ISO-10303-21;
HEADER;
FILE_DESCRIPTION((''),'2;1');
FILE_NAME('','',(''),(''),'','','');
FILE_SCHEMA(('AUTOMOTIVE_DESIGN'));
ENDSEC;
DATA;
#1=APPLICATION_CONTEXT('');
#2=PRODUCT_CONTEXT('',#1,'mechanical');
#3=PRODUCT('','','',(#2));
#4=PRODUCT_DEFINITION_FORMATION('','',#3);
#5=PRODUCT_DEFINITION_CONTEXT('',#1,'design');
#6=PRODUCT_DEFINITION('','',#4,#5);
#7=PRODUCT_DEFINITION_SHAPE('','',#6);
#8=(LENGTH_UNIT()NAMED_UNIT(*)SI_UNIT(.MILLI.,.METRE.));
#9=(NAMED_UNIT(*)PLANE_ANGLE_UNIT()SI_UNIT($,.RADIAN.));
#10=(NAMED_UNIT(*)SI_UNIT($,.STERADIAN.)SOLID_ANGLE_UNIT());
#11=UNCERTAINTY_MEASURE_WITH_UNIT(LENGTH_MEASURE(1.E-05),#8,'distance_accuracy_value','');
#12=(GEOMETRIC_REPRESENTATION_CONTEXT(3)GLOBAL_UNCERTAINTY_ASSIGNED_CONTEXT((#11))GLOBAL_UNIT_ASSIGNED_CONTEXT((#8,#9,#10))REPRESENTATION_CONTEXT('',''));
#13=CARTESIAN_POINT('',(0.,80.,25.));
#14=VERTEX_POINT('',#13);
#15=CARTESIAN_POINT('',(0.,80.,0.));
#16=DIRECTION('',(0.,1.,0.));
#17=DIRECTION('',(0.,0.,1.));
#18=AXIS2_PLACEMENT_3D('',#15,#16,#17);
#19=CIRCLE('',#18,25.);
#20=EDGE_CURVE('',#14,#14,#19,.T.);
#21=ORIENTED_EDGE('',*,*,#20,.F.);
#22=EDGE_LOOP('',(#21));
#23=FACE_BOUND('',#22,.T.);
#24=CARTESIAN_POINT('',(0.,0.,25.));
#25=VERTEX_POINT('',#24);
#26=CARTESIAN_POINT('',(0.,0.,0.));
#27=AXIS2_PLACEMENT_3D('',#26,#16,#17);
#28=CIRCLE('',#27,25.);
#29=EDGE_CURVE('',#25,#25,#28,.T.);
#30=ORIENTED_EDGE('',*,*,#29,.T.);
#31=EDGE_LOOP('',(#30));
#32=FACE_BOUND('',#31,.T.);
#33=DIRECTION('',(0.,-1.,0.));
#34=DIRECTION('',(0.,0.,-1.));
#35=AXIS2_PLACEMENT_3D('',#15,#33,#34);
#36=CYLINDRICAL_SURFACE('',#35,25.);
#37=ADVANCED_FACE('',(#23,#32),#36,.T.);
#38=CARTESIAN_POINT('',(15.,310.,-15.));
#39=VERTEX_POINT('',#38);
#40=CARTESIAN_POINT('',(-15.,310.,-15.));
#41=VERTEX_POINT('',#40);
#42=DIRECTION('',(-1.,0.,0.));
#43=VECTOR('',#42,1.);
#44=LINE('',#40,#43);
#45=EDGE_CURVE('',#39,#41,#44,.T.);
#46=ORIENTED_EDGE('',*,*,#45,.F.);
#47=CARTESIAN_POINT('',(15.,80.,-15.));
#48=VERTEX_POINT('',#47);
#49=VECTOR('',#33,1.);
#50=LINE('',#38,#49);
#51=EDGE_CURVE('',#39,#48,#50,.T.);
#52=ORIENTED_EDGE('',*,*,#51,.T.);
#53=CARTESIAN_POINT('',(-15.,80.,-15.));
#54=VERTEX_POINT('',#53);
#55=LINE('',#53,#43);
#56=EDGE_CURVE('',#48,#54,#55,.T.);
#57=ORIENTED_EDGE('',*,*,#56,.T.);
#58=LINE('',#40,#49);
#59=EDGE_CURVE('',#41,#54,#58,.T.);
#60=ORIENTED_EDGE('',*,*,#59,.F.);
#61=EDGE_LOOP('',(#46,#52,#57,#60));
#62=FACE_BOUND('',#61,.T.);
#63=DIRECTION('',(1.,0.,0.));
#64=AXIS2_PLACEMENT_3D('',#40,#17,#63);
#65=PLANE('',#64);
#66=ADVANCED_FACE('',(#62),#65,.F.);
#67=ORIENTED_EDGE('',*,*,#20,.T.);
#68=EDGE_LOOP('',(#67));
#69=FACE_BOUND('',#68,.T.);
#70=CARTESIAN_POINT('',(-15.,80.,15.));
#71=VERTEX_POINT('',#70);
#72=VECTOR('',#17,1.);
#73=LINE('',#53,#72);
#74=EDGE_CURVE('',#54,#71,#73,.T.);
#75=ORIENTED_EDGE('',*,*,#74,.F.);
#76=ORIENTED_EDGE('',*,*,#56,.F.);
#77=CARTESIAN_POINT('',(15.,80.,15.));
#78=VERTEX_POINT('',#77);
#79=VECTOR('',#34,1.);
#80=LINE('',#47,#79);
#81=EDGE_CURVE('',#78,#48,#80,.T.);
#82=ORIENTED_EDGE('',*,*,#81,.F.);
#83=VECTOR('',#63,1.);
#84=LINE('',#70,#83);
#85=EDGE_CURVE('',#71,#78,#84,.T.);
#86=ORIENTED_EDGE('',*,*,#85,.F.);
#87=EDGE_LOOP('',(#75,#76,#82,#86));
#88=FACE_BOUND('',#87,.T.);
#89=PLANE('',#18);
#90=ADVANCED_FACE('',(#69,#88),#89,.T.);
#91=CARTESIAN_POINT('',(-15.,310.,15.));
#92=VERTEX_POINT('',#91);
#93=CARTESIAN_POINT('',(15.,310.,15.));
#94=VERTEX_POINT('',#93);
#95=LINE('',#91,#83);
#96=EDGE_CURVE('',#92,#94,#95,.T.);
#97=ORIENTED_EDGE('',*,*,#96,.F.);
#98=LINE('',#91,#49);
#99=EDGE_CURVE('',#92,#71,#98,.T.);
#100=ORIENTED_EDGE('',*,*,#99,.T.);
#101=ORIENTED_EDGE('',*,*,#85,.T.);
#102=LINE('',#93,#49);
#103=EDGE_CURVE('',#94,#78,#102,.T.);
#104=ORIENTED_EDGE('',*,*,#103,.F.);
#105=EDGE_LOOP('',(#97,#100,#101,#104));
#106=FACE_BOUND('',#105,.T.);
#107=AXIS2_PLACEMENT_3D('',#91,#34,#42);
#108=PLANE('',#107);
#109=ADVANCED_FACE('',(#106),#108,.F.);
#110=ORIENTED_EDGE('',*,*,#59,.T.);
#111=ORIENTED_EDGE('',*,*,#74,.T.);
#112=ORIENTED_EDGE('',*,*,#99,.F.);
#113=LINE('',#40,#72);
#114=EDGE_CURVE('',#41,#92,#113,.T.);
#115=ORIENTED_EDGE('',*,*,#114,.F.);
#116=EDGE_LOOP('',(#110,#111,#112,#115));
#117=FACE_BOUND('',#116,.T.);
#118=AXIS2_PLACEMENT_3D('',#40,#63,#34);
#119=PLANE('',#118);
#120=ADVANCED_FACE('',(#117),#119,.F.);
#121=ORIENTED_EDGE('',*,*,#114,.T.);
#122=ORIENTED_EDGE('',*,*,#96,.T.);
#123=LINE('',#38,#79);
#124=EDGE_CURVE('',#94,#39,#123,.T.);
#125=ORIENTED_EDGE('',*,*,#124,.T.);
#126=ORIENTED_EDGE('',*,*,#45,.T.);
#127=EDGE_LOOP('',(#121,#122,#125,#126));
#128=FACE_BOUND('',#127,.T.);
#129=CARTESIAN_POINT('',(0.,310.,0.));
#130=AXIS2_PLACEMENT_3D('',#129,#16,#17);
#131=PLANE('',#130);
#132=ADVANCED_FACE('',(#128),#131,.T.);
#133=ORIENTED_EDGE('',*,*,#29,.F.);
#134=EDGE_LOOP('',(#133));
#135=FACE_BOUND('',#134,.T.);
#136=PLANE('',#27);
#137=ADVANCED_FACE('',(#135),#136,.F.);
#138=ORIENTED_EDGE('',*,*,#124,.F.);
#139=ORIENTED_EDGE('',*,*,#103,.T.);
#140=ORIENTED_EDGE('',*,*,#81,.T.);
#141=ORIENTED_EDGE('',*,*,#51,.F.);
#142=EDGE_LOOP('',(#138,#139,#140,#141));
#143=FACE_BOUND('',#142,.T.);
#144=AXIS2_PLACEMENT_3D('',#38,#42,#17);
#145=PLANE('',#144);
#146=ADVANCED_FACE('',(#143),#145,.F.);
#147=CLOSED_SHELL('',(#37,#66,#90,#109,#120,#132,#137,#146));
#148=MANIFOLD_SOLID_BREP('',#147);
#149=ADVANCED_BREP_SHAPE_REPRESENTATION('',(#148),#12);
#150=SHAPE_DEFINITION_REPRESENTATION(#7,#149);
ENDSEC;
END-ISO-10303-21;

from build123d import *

# Parameters (mm, degrees)
SKETCH_1_R      = 25
EXTRUDE_1_DEPTH = 80
SKETCH_2_W      = 30
SKETCH_2_H      = 30
EXTRUDE_2_DEPTH = 230


with BuildPart() as part:
    # 草图1 → 凸台-拉伸1 (new body)
    with BuildSketch(Plane(origin=(0, 0, 0), x_dir=(1, 0, 0), z_dir=(0, 1, 0))):
        Circle(SKETCH_1_R)
    extrude(amount=EXTRUDE_1_DEPTH)

    # 草图2 → 凸台-拉伸2 (add)
    with BuildSketch(Plane(origin=(0, 80, 0), x_dir=(1, 0, 0), z_dir=(0, 1, 0))):
        Rectangle(SKETCH_2_W, SKETCH_2_H)
    extrude(amount=EXTRUDE_2_DEPTH)


solid = part.part
